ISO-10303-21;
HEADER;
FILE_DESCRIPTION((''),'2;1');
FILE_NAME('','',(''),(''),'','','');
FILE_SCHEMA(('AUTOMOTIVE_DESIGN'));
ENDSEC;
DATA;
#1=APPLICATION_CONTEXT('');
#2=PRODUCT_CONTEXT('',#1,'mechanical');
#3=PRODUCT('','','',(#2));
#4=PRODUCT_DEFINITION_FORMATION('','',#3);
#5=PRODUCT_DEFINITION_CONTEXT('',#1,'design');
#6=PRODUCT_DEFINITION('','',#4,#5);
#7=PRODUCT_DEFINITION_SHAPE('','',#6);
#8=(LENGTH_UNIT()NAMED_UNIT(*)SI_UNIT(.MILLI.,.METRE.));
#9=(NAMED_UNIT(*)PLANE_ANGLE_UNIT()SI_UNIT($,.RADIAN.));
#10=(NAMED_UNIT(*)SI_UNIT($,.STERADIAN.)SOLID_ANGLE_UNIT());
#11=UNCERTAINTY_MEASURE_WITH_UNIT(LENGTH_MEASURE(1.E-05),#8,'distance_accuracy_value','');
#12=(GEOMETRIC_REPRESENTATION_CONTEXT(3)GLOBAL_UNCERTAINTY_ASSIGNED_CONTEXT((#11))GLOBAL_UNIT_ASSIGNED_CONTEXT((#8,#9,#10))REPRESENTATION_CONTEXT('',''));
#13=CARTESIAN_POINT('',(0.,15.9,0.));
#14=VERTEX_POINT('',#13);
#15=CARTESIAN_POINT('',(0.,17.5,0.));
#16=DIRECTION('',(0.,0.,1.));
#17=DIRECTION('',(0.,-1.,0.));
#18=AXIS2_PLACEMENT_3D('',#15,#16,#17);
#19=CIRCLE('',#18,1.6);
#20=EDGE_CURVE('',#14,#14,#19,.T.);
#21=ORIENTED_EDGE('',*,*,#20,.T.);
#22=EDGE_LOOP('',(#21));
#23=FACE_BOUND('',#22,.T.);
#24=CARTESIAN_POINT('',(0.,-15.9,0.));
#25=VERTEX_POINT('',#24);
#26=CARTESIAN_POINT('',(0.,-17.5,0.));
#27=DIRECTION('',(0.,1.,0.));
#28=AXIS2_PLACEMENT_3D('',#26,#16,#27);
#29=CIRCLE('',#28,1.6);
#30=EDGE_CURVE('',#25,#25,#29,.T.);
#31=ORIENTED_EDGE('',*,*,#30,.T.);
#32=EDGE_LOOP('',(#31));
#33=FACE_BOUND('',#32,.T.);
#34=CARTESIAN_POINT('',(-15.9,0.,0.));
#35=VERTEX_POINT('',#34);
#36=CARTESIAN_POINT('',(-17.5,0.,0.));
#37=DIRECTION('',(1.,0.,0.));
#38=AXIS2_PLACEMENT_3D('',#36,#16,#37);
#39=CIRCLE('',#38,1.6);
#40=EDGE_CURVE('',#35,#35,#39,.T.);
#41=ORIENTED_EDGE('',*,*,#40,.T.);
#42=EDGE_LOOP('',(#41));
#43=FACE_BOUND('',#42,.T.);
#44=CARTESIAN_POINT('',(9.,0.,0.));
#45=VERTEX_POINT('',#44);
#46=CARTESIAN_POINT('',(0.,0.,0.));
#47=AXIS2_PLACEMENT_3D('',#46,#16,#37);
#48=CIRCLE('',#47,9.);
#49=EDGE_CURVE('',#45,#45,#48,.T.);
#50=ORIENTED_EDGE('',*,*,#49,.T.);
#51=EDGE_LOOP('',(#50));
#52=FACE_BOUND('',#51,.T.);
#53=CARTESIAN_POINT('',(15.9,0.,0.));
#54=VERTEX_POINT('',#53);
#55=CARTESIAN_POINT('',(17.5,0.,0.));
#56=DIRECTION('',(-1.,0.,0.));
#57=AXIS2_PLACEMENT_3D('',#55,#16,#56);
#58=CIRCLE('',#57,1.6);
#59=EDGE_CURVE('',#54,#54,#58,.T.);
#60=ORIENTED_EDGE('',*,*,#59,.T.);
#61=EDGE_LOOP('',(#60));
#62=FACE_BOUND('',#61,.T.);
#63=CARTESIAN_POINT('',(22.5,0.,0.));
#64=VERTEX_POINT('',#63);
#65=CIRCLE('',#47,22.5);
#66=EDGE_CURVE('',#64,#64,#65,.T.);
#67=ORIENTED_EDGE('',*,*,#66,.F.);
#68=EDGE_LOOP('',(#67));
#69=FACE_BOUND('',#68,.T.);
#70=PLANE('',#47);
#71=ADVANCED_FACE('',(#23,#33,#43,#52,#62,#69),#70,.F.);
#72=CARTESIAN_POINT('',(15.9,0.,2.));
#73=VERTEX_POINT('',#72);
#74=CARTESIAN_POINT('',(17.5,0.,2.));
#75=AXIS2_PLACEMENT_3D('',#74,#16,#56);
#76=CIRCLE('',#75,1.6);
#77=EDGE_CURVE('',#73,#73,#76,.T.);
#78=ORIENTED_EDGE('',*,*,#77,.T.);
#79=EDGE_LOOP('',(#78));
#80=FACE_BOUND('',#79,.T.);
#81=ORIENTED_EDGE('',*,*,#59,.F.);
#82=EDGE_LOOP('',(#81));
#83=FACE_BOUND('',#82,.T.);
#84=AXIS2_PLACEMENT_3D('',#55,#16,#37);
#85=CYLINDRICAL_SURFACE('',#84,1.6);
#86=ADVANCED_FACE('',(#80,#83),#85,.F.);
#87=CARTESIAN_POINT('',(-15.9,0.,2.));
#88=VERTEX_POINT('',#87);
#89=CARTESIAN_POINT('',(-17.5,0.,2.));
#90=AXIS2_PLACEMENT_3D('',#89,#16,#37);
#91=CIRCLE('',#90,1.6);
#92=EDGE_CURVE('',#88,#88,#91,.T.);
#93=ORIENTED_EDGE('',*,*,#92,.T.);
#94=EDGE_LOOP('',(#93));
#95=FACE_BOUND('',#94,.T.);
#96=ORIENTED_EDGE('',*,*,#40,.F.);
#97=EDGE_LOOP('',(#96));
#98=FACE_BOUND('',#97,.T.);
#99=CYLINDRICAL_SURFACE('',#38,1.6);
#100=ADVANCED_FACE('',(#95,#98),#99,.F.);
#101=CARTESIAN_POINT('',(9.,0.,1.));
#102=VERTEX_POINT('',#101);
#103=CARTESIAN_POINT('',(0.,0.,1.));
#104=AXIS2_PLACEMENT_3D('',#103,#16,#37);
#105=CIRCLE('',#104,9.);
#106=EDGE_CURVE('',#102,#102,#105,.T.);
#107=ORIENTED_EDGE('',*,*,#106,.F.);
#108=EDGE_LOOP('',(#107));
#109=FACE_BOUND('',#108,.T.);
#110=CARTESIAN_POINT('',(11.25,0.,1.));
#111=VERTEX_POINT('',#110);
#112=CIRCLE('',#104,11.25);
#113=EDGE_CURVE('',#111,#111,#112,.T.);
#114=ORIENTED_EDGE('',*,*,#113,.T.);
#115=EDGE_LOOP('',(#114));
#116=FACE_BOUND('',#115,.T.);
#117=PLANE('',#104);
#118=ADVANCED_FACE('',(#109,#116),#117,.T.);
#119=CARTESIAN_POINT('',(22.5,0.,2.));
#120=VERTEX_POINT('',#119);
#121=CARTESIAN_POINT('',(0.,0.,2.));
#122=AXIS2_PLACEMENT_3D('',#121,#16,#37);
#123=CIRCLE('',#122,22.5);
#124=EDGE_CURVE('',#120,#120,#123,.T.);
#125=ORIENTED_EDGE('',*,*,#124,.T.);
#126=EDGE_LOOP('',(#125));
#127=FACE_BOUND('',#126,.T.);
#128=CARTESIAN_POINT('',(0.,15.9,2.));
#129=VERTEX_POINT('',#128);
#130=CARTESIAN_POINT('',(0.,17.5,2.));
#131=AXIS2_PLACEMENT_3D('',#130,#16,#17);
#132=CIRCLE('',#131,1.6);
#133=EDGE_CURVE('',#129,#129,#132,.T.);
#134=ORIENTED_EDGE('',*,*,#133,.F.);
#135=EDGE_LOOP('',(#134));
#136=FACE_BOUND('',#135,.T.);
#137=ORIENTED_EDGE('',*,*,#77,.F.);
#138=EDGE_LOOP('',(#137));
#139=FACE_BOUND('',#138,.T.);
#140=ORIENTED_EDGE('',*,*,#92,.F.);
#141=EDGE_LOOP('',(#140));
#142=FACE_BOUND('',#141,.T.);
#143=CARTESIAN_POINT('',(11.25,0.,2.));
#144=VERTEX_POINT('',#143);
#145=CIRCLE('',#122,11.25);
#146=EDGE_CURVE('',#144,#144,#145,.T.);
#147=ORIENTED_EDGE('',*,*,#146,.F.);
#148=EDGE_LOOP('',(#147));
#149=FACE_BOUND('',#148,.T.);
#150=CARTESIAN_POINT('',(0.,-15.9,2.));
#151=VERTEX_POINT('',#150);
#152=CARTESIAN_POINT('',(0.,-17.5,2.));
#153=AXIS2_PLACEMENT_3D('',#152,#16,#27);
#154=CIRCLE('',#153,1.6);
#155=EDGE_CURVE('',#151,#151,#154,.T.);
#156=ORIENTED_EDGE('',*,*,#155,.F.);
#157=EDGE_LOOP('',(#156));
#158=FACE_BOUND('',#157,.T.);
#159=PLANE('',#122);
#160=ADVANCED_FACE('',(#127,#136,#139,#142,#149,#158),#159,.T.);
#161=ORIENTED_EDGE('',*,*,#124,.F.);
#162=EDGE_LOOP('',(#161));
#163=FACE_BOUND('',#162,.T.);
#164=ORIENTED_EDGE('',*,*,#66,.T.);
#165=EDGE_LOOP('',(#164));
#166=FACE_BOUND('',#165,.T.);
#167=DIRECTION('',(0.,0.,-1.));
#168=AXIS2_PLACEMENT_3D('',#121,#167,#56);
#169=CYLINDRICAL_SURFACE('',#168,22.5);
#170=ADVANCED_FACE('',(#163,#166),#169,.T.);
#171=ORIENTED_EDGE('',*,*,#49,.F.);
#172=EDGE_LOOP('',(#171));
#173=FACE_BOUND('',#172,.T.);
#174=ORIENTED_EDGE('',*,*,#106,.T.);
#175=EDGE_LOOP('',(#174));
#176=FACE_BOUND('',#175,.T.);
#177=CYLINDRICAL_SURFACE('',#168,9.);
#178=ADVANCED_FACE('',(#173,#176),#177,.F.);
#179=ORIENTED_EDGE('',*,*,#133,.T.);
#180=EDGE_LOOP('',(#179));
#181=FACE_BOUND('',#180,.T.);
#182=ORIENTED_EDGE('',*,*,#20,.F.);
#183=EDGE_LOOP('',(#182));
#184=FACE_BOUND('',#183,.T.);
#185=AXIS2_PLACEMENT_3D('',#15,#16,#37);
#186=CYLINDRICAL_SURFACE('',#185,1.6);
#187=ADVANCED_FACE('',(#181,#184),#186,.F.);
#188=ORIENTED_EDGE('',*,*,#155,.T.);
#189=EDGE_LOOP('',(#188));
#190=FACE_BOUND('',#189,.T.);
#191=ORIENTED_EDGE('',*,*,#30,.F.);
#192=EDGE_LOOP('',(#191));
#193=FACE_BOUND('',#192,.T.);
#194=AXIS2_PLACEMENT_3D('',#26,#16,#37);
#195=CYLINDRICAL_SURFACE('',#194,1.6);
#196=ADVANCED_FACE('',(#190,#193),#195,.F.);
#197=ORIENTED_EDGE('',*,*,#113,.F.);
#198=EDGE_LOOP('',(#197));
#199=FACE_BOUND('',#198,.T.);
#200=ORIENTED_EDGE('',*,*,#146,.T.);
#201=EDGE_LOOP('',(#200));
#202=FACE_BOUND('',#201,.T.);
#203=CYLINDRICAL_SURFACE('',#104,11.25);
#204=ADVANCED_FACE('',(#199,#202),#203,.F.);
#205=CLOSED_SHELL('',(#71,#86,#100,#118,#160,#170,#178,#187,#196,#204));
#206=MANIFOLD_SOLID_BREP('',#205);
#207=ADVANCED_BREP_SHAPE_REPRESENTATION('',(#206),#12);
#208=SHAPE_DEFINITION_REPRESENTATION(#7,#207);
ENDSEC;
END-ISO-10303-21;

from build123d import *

# Parameters (mm, degrees)
SKETCH_1_R               = 22.5
SKETCH_1_R_2             = 9
EXTRUDE_1_DEPTH          = 2
SKETCH_2_R               = 1.6
CUT_EXTRUDE_1_DEPTH      = 3
PATTERN_CIRCULAR_2_COUNT = 4
SKETCH_3_R               = 11.25
SKETCH_3_R_2             = 9
CUT_EXTRUDE_2_DEPTH      = 1


with BuildPart() as part:
    # ｽｹｯﾁ1 → ﾎﾞｽ - 押し出し1 (new body)
    with BuildSketch(Plane.XY):
        Circle(SKETCH_1_R)
        Circle(SKETCH_1_R_2, mode=Mode.SUBTRACT)
    extrude(amount=EXTRUDE_1_DEPTH)

    # ｽｹｯﾁ2 → ｶｯﾄ - 押し出し1 (cut, through all)
    with BuildSketch(Plane.XY.offset(2)):
        with Locations((-17.5, 0)):
            Circle(SKETCH_2_R)
    cut_extrude_1 = extrude(amount=-CUT_EXTRUDE_1_DEPTH, mode=Mode.SUBTRACT)

    # 円形ﾊﾟﾀｰﾝ2: ｶｯﾄ - 押し出し1 ×4 about axis
    pattern_circular_2_axis = Axis((0, 0, 0), (0, 0, 1))
    for i in range(1, PATTERN_CIRCULAR_2_COUNT):
        add(cut_extrude_1.rotate(pattern_circular_2_axis, i * 360 / PATTERN_CIRCULAR_2_COUNT), mode=Mode.SUBTRACT)

    # ｽｹｯﾁ3 → ｶｯﾄ - 押し出し2 (cut)
    with BuildSketch(Plane.XY.offset(2)):
        Circle(SKETCH_3_R)
        Circle(SKETCH_3_R_2, mode=Mode.SUBTRACT)
    extrude(amount=-CUT_EXTRUDE_2_DEPTH, mode=Mode.SUBTRACT)


solid = part.part
